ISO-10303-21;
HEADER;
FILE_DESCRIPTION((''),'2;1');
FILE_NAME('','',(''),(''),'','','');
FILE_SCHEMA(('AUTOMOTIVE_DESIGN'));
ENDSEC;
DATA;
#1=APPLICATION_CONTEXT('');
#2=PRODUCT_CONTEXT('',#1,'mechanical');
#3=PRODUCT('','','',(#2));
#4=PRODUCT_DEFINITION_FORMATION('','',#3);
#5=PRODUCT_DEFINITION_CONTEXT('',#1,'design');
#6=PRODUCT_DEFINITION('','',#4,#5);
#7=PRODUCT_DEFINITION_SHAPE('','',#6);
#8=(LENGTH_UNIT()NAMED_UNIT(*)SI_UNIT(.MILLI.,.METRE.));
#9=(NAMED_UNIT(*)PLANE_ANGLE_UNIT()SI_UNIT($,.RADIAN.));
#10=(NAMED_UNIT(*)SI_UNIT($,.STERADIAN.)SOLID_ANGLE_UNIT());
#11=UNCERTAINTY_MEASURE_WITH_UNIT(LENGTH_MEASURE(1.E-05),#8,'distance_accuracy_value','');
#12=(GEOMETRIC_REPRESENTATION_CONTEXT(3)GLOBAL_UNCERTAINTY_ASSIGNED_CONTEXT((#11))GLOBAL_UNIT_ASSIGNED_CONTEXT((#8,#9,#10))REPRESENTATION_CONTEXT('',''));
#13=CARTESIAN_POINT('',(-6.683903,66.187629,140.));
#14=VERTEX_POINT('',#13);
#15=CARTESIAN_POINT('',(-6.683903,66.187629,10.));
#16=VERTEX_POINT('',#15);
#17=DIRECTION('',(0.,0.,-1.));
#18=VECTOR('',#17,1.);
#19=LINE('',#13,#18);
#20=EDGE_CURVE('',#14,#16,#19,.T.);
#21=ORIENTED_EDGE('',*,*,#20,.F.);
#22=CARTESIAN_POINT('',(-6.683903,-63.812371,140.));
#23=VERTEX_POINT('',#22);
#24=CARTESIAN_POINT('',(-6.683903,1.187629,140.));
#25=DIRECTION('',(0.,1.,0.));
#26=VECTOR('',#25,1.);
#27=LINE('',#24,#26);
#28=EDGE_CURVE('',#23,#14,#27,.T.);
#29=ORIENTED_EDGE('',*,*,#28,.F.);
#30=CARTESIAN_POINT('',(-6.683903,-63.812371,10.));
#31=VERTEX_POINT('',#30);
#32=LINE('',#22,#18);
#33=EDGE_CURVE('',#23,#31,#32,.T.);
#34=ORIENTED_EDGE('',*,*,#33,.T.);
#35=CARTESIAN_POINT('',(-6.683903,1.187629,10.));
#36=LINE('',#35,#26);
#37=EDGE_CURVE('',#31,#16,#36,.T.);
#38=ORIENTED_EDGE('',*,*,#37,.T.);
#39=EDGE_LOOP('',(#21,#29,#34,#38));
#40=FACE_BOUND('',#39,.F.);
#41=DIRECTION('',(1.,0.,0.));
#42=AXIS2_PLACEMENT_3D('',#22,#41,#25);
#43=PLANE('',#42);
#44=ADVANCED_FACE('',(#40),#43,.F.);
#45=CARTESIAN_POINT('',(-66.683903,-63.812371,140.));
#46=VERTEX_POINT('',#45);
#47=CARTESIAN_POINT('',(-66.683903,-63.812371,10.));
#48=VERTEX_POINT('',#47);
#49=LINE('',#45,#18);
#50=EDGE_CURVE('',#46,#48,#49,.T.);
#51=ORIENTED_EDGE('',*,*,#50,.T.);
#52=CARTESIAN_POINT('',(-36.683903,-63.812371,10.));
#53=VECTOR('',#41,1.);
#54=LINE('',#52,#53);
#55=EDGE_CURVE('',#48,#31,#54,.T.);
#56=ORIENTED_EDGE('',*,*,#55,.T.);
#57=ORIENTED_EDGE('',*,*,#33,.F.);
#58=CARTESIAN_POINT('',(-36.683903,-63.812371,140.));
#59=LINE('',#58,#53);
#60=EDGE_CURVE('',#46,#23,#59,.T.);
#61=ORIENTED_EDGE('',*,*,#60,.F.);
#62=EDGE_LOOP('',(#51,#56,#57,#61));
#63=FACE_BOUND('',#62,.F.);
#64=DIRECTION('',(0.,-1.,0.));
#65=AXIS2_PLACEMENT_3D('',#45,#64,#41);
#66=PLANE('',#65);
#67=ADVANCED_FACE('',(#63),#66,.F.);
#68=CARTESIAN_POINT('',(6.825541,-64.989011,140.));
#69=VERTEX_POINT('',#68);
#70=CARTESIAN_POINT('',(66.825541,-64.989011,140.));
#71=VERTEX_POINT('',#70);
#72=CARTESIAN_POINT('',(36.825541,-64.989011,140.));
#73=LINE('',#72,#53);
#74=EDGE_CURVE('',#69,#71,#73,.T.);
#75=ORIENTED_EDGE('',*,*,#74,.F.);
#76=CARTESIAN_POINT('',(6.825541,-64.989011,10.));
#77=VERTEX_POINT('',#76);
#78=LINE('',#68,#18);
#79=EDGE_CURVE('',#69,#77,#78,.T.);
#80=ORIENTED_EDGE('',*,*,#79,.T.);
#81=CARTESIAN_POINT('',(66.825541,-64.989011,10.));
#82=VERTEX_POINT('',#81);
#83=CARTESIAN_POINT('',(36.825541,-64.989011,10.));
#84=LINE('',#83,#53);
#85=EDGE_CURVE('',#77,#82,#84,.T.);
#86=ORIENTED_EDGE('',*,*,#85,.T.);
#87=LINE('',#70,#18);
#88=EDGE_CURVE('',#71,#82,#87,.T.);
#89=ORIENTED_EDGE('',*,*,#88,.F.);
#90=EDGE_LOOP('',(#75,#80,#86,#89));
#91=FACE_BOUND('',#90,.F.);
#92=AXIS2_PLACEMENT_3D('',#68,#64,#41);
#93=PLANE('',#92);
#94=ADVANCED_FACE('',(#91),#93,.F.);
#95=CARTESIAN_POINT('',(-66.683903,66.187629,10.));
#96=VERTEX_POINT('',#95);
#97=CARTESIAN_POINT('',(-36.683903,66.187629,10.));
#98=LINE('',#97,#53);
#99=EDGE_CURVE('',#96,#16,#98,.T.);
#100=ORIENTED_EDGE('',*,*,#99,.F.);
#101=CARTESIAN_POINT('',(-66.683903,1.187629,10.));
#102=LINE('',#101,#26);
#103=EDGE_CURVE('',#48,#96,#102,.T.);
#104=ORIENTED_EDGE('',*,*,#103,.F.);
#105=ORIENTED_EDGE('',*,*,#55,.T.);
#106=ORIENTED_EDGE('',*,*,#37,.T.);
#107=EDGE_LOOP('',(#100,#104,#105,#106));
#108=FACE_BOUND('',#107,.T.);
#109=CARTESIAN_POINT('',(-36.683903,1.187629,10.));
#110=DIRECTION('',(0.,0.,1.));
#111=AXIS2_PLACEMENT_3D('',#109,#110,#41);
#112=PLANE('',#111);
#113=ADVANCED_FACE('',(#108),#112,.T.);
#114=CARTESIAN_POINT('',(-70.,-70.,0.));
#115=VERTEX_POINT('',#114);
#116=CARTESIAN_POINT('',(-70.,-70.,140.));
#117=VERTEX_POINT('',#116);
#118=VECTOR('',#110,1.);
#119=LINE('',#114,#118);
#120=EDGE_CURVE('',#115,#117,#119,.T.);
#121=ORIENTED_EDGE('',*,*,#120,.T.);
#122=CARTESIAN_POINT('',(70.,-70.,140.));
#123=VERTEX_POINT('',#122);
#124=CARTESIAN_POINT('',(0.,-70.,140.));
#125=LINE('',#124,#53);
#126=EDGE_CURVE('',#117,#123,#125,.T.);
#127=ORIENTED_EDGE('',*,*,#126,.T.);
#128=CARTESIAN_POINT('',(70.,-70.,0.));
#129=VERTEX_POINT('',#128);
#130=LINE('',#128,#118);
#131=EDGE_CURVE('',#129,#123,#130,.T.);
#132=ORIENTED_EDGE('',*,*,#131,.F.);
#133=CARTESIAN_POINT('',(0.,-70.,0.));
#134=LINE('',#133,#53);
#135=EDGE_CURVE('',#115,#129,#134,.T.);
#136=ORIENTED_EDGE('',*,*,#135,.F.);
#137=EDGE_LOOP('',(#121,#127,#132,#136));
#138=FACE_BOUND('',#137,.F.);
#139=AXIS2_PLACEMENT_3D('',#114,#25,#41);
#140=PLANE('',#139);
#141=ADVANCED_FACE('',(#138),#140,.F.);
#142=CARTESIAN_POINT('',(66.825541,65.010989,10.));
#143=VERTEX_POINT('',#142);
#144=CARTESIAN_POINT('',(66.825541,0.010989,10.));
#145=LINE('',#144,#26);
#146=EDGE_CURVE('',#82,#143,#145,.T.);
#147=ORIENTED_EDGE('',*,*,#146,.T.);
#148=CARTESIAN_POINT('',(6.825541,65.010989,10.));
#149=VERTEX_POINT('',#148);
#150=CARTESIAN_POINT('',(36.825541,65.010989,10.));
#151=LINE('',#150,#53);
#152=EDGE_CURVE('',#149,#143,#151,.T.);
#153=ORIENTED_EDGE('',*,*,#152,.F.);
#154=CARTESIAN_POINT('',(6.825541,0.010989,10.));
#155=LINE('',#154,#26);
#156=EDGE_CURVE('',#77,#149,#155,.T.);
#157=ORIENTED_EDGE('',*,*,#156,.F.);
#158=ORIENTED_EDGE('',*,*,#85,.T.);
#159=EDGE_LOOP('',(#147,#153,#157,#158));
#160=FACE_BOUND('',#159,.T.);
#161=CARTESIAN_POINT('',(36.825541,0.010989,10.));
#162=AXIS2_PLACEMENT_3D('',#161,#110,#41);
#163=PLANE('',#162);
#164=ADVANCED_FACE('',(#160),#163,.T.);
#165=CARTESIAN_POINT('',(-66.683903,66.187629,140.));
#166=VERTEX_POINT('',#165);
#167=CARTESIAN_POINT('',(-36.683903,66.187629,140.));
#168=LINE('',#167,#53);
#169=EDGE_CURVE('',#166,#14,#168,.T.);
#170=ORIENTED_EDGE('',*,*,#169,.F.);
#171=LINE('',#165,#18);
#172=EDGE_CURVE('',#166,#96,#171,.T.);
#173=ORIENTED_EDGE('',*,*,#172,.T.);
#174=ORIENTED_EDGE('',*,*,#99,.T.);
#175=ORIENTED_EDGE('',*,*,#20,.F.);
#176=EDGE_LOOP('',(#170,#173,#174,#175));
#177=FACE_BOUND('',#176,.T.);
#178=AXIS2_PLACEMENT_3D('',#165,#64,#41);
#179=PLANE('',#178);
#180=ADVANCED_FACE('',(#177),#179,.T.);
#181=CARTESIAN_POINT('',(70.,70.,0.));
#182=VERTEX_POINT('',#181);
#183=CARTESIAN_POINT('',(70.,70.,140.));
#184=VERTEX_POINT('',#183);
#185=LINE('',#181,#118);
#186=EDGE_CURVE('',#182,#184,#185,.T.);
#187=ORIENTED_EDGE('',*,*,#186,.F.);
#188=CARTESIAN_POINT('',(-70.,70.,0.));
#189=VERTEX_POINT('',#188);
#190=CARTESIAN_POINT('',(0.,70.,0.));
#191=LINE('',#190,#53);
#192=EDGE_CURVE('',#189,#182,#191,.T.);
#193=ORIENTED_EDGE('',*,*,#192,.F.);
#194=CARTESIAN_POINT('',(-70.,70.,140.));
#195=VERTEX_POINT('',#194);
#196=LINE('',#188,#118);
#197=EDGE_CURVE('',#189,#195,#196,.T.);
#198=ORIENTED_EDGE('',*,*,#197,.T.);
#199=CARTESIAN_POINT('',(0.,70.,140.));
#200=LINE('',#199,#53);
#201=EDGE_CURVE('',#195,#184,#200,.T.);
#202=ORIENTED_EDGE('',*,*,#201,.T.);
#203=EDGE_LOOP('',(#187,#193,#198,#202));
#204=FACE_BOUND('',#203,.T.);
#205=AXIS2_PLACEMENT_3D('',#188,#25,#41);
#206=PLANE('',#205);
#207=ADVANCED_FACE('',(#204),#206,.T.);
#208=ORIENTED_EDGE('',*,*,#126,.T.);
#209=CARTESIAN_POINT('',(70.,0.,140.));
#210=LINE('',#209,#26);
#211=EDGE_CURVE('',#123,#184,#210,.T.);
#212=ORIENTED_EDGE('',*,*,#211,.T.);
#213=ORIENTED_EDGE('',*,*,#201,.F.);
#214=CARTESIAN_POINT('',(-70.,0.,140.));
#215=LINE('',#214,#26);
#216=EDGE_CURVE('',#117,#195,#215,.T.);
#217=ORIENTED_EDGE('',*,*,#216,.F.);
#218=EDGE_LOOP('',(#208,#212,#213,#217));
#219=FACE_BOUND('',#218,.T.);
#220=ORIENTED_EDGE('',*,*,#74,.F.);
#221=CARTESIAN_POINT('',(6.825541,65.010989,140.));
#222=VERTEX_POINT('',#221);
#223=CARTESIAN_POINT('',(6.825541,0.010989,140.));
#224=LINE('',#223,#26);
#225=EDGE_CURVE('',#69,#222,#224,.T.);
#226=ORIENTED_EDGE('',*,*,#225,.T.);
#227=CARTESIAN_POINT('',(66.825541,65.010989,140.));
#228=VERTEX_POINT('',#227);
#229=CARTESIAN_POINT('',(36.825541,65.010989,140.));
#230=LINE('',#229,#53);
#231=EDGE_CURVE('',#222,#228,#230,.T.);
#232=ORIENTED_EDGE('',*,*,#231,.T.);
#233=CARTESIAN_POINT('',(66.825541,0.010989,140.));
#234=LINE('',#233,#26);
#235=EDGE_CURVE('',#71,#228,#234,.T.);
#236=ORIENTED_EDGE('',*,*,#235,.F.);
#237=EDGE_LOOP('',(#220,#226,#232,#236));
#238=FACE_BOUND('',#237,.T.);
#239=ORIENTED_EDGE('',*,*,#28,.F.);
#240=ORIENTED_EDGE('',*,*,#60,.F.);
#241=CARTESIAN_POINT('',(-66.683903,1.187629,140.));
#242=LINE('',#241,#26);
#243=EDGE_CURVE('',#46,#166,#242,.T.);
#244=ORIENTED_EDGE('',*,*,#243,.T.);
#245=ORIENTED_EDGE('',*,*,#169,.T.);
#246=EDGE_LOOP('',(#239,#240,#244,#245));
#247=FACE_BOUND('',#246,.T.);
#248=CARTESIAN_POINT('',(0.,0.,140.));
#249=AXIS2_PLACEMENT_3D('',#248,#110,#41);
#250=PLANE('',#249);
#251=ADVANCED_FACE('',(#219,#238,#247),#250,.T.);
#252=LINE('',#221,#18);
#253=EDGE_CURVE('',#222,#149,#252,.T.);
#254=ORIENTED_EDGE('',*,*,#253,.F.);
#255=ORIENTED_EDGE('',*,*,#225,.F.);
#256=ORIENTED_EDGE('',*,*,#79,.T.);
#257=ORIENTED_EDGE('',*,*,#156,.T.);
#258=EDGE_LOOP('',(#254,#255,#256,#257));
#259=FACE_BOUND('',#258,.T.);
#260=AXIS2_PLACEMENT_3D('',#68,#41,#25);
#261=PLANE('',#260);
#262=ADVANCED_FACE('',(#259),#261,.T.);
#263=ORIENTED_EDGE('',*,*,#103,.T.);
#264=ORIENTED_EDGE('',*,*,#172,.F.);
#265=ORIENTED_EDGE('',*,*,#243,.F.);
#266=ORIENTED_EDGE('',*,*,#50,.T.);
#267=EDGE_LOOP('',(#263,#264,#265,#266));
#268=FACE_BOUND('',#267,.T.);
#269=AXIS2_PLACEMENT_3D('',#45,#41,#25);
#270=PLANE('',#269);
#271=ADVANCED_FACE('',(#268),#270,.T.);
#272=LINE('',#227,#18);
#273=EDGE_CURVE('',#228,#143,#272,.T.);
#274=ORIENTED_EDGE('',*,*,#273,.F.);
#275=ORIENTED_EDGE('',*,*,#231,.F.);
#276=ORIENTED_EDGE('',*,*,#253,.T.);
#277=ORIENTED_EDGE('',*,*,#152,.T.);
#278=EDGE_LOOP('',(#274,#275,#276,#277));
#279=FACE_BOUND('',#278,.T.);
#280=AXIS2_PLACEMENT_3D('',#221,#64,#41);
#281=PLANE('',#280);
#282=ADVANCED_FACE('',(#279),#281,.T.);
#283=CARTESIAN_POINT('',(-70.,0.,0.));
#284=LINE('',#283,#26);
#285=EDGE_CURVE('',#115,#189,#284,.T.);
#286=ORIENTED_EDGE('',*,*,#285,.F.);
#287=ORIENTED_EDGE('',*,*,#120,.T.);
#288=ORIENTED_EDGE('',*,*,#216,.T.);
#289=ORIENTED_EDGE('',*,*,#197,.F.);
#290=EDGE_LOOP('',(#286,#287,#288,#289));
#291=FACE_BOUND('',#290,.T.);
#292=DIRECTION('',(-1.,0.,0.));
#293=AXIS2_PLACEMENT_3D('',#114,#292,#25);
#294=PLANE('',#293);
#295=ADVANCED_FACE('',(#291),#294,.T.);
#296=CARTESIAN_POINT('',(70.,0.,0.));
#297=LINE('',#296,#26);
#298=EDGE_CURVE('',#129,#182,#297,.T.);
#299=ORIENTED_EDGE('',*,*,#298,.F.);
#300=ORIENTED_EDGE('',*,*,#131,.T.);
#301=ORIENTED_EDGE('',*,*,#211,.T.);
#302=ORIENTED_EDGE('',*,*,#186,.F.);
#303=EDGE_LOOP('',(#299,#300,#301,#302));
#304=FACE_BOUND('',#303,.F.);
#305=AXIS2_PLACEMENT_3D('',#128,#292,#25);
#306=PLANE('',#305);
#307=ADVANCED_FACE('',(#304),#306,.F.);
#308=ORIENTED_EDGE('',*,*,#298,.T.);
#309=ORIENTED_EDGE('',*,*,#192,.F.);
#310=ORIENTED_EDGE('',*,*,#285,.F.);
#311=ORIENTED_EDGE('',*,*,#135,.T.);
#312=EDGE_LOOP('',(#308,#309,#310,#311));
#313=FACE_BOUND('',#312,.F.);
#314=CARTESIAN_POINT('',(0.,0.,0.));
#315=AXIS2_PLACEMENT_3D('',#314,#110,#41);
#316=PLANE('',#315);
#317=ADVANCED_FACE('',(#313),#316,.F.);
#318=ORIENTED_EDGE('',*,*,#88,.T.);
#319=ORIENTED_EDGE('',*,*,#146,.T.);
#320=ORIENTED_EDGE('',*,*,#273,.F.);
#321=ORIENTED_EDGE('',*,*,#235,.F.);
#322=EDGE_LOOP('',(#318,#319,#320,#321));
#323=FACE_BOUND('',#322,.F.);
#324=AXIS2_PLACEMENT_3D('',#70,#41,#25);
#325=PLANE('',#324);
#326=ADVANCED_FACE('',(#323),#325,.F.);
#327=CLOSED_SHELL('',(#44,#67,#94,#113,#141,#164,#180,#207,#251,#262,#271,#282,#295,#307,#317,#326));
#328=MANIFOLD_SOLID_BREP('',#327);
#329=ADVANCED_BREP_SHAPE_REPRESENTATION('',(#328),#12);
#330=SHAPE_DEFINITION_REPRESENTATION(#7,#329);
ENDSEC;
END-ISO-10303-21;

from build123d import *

# Parameters (mm, degrees)
F0_W     = 140
F0_H     = 140
F1_DEPTH = 140
F2_W     = 60
F2_H     = 130
F4_DEPTH = 130
F3_W     = 60
F3_H     = 130
F5_DEPTH = 130


with BuildPart() as f1:
    # F0 (on Top) → F1 (new body)
    with BuildSketch(Plane.XY):
        Rectangle(F0_W, F0_H)
    extrude(amount=F1_DEPTH)

    # F2 (on face) → F4 (cut)
    with BuildSketch(Plane.XY.offset(140)):
        with Locations((36.825541, 0.010989)):
            Rectangle(F2_W, F2_H)
    extrude(amount=-F4_DEPTH, mode=Mode.SUBTRACT)

    # F3 (on face) → F5 (cut)
    with BuildSketch(Plane.XY.offset(140)):
        with Locations((-36.683903, 1.187629)):
            Rectangle(F3_W, F3_H)
    extrude(amount=-F5_DEPTH, mode=Mode.SUBTRACT)


solid = f1.part
